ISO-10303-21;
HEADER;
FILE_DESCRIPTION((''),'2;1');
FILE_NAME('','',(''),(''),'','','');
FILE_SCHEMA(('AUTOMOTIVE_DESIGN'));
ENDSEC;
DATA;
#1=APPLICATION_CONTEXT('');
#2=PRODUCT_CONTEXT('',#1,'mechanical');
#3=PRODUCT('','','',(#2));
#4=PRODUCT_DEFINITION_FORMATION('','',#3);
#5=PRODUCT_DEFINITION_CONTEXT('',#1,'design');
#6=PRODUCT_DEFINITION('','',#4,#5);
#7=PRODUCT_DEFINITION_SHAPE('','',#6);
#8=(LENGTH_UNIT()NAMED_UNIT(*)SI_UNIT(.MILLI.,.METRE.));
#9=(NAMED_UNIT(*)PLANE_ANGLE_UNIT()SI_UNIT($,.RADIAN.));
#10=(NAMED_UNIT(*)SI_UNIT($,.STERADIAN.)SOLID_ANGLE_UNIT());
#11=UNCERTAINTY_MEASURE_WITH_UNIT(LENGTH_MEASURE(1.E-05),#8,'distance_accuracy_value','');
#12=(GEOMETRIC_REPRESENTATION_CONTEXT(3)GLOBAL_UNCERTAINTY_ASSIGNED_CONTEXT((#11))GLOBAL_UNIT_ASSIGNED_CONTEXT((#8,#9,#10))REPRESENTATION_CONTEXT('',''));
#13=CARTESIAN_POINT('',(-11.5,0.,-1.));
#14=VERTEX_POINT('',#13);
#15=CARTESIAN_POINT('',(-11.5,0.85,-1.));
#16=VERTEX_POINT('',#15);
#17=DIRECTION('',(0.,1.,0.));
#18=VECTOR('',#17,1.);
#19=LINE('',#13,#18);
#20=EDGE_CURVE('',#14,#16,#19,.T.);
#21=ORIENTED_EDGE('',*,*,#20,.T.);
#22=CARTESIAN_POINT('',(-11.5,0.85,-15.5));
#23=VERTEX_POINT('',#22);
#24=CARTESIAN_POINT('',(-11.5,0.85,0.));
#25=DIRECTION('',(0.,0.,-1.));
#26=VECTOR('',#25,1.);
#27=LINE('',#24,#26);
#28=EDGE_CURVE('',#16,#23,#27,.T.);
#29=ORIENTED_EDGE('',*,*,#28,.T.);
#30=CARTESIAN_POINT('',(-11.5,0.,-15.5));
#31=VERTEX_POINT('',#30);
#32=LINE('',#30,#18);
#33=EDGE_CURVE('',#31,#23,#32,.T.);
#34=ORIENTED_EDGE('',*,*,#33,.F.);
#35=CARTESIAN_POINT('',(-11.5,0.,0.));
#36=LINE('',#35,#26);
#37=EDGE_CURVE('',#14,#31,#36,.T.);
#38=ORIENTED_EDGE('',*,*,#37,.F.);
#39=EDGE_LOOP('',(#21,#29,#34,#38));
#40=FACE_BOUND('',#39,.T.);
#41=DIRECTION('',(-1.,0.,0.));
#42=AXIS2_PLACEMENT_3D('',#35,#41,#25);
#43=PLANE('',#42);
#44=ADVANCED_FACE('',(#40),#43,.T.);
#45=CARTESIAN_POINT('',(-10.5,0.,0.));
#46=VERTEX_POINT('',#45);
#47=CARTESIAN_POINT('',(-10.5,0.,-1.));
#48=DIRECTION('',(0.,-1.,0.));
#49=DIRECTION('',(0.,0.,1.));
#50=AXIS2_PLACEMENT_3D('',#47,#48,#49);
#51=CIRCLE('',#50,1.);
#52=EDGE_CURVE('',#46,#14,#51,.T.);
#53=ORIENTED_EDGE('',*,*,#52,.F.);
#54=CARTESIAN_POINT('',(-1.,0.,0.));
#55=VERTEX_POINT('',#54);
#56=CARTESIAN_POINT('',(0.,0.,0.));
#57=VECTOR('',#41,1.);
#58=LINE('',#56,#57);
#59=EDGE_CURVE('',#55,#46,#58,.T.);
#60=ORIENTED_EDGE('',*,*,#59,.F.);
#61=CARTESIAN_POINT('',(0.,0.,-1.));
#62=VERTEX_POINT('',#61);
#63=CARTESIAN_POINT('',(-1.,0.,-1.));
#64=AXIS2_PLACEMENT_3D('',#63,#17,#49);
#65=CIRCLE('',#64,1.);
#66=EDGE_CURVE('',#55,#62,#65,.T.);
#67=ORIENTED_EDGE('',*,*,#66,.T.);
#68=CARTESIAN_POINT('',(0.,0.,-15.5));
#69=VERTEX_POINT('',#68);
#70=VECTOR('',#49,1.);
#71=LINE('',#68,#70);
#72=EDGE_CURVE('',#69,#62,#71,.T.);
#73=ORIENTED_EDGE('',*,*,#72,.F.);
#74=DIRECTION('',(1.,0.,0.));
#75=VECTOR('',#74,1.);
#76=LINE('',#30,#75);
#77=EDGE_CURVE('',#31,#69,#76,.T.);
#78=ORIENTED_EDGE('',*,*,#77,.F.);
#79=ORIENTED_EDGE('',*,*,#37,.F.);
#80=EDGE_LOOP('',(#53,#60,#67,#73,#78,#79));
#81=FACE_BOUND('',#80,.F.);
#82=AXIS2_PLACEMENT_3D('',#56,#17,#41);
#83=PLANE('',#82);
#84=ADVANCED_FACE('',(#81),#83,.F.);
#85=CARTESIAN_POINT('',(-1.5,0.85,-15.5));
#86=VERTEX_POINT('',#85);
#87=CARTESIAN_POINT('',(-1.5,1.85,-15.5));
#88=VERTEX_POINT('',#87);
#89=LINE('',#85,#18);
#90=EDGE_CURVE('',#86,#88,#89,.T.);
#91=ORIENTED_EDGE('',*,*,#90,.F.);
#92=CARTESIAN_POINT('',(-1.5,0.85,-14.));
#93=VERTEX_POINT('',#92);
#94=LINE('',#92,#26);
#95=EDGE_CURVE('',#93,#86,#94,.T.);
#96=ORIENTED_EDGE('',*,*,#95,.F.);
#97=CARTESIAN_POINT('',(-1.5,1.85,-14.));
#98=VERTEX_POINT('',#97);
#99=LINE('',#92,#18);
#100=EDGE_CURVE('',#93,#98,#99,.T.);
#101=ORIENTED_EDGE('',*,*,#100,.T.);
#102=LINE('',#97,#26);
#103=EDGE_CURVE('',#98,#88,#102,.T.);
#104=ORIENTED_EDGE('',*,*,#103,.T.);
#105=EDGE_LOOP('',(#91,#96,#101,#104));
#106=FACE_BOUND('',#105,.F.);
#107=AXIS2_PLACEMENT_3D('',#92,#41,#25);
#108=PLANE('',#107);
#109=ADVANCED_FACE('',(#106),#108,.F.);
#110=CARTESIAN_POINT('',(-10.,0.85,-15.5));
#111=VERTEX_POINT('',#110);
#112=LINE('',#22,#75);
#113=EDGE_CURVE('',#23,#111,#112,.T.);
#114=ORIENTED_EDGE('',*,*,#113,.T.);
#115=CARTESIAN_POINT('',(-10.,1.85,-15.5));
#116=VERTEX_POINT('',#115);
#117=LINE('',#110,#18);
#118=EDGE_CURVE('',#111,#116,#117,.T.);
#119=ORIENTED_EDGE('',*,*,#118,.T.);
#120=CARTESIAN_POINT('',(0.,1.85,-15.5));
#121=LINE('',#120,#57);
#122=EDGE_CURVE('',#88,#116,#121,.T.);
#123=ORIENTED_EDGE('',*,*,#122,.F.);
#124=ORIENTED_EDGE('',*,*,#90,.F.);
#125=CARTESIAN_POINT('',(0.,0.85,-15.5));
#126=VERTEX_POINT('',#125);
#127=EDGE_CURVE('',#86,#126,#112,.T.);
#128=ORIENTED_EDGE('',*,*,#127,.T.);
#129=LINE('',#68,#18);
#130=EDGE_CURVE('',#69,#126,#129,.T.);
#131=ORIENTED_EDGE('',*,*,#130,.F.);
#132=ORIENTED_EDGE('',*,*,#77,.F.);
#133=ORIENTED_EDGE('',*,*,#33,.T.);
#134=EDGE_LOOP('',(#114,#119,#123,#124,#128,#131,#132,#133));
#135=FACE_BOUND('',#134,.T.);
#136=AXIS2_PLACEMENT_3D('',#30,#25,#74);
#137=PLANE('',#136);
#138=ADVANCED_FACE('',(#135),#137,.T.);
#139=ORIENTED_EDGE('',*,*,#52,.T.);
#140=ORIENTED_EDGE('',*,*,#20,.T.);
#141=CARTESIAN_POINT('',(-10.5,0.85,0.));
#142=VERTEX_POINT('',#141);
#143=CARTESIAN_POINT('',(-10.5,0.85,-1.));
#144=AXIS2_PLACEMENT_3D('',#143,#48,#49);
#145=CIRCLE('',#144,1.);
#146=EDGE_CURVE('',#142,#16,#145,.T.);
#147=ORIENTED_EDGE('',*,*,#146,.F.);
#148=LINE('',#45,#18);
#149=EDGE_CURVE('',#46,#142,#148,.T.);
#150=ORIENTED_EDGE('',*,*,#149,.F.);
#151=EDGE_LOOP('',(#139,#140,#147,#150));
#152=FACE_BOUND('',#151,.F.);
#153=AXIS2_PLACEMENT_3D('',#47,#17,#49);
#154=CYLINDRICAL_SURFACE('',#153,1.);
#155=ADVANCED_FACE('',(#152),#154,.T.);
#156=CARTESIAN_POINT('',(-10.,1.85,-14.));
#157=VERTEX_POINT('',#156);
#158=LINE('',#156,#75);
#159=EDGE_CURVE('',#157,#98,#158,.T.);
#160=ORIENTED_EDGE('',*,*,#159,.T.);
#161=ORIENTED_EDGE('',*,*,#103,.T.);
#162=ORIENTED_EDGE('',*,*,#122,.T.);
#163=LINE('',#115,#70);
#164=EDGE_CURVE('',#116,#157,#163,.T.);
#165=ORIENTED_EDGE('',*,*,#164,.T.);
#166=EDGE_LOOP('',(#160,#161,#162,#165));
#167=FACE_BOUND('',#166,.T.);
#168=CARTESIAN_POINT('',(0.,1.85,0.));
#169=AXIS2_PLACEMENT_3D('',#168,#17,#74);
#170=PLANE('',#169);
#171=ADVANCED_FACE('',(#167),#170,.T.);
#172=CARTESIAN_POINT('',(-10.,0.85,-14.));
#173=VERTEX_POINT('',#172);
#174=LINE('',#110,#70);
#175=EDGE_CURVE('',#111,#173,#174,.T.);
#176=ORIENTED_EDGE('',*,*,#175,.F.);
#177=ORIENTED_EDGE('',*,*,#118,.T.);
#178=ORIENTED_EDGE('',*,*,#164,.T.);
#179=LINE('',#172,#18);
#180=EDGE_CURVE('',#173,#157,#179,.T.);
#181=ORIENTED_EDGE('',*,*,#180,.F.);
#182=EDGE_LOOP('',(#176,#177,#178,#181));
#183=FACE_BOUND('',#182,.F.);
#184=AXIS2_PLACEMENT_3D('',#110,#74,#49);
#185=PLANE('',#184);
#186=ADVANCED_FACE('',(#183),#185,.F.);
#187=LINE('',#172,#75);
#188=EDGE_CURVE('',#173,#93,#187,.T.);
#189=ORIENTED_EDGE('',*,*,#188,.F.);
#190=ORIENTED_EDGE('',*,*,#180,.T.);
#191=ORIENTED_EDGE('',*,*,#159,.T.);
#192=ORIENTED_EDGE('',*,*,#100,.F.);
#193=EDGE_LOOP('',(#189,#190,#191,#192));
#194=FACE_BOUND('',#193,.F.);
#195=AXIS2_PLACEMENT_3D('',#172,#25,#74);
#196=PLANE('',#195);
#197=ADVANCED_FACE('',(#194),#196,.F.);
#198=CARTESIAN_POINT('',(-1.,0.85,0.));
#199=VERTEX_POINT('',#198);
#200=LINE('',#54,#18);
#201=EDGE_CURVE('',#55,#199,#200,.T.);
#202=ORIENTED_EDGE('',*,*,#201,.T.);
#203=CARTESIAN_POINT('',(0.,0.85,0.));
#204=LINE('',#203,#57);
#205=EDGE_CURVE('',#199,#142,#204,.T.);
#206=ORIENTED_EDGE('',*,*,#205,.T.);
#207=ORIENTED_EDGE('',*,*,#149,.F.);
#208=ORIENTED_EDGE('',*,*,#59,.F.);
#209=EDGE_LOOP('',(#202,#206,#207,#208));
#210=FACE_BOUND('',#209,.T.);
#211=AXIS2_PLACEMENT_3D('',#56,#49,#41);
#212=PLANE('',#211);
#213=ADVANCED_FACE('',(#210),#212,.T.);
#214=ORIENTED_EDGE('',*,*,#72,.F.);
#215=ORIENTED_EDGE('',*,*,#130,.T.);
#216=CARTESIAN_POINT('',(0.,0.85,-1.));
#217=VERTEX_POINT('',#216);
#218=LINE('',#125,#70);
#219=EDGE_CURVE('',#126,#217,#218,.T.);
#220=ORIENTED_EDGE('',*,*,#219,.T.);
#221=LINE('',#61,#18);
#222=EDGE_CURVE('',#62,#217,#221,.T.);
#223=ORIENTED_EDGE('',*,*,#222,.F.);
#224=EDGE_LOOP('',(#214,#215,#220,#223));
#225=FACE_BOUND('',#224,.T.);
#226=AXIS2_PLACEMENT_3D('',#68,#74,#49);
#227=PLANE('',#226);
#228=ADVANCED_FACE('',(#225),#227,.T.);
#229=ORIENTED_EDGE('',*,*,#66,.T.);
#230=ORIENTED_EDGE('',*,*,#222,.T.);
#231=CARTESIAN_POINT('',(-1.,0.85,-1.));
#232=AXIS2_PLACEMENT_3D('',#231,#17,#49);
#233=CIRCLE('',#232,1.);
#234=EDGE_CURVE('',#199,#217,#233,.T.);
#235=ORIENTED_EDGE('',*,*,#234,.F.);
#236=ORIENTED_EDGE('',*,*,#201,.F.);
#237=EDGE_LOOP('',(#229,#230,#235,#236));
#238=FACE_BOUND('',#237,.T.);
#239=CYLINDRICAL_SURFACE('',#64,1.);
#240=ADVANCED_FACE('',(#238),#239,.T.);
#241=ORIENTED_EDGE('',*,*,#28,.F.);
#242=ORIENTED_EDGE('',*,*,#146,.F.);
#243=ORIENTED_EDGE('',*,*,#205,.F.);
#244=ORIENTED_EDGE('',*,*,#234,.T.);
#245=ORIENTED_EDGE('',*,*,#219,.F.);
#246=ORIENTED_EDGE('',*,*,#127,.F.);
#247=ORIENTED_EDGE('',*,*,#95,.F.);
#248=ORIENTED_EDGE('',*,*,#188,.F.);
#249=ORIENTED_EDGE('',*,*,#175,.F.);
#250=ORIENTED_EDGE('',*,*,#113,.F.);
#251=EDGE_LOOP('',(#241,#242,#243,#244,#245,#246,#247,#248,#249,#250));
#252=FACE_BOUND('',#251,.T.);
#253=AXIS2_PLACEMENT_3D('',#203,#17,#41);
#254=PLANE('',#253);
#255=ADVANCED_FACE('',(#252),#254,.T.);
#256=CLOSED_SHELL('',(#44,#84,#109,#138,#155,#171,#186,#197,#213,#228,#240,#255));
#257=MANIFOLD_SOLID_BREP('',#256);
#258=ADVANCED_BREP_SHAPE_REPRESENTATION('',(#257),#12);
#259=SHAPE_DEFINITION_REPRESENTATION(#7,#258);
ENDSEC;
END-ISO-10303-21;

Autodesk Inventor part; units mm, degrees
ref_plane "YZ Plane" through (0, 0, 0) normal (1, 0, 0) x (0, 1, 0)
ref_plane "XZ Plane" through (0, 0, 0) normal (0, 1, 0) x (-1, 0, 0)
ref_plane "XY Plane" through (0, 0, 0) normal (0, 0, 1) x (1, 0, 0)
sketch "스케치1" plane through (0, 0, 0) normal (0, 1, 0) x (-1, 0, 0)
  line L0 (0, 0) -> (11.5, 0)
  line L1 (11.5, 0) -> (11.5, -15.5)
  line L2 (11.5, -15.5) -> (0, -15.5)
  line L3 (0, -15.5) -> (0, 0)
  dimension "d0" = 11.5
  dimension "d1" = 15.5
extrude "돌출1" add sketch "스케치1" along normal blind 0.85
fillet "모깎기1" radius 1 2 edges at (0, 0.425, 0) (-11.5, 0.425, 0)
sketch "스케치2" plane through (0, 0.85, 0) normal (0, 1, 0) x (1, 0, 0)
  line L0 (0, 1) -> (0, 15.5) projected
  line L1 (0, 15.5) -> (-11.5, 15.5) projected
  line L2 (-1.5, 15.5) -> (-10, 15.5)
  line L3 (-10, 15.5) -> (-10, 14)
  line L4 (-10, 14) -> (-1.5, 14)
  line L5 (-1.5, 14) -> (-1.5, 15.5)
  line L6 (-11.5, 15.5) -> (-11.5, 1) projected
  point P0 (0, 0)
  dimension "d5" = 8.5
  dimension "d6" = 1.5
  dimension "d7" = 1.5
  dimension "d13" = 1.5
extrude "돌출2" add sketch "스케치2" along normal blind 1
equation "\"d7\" = d13"
properties part number "_3D 인쇄"
